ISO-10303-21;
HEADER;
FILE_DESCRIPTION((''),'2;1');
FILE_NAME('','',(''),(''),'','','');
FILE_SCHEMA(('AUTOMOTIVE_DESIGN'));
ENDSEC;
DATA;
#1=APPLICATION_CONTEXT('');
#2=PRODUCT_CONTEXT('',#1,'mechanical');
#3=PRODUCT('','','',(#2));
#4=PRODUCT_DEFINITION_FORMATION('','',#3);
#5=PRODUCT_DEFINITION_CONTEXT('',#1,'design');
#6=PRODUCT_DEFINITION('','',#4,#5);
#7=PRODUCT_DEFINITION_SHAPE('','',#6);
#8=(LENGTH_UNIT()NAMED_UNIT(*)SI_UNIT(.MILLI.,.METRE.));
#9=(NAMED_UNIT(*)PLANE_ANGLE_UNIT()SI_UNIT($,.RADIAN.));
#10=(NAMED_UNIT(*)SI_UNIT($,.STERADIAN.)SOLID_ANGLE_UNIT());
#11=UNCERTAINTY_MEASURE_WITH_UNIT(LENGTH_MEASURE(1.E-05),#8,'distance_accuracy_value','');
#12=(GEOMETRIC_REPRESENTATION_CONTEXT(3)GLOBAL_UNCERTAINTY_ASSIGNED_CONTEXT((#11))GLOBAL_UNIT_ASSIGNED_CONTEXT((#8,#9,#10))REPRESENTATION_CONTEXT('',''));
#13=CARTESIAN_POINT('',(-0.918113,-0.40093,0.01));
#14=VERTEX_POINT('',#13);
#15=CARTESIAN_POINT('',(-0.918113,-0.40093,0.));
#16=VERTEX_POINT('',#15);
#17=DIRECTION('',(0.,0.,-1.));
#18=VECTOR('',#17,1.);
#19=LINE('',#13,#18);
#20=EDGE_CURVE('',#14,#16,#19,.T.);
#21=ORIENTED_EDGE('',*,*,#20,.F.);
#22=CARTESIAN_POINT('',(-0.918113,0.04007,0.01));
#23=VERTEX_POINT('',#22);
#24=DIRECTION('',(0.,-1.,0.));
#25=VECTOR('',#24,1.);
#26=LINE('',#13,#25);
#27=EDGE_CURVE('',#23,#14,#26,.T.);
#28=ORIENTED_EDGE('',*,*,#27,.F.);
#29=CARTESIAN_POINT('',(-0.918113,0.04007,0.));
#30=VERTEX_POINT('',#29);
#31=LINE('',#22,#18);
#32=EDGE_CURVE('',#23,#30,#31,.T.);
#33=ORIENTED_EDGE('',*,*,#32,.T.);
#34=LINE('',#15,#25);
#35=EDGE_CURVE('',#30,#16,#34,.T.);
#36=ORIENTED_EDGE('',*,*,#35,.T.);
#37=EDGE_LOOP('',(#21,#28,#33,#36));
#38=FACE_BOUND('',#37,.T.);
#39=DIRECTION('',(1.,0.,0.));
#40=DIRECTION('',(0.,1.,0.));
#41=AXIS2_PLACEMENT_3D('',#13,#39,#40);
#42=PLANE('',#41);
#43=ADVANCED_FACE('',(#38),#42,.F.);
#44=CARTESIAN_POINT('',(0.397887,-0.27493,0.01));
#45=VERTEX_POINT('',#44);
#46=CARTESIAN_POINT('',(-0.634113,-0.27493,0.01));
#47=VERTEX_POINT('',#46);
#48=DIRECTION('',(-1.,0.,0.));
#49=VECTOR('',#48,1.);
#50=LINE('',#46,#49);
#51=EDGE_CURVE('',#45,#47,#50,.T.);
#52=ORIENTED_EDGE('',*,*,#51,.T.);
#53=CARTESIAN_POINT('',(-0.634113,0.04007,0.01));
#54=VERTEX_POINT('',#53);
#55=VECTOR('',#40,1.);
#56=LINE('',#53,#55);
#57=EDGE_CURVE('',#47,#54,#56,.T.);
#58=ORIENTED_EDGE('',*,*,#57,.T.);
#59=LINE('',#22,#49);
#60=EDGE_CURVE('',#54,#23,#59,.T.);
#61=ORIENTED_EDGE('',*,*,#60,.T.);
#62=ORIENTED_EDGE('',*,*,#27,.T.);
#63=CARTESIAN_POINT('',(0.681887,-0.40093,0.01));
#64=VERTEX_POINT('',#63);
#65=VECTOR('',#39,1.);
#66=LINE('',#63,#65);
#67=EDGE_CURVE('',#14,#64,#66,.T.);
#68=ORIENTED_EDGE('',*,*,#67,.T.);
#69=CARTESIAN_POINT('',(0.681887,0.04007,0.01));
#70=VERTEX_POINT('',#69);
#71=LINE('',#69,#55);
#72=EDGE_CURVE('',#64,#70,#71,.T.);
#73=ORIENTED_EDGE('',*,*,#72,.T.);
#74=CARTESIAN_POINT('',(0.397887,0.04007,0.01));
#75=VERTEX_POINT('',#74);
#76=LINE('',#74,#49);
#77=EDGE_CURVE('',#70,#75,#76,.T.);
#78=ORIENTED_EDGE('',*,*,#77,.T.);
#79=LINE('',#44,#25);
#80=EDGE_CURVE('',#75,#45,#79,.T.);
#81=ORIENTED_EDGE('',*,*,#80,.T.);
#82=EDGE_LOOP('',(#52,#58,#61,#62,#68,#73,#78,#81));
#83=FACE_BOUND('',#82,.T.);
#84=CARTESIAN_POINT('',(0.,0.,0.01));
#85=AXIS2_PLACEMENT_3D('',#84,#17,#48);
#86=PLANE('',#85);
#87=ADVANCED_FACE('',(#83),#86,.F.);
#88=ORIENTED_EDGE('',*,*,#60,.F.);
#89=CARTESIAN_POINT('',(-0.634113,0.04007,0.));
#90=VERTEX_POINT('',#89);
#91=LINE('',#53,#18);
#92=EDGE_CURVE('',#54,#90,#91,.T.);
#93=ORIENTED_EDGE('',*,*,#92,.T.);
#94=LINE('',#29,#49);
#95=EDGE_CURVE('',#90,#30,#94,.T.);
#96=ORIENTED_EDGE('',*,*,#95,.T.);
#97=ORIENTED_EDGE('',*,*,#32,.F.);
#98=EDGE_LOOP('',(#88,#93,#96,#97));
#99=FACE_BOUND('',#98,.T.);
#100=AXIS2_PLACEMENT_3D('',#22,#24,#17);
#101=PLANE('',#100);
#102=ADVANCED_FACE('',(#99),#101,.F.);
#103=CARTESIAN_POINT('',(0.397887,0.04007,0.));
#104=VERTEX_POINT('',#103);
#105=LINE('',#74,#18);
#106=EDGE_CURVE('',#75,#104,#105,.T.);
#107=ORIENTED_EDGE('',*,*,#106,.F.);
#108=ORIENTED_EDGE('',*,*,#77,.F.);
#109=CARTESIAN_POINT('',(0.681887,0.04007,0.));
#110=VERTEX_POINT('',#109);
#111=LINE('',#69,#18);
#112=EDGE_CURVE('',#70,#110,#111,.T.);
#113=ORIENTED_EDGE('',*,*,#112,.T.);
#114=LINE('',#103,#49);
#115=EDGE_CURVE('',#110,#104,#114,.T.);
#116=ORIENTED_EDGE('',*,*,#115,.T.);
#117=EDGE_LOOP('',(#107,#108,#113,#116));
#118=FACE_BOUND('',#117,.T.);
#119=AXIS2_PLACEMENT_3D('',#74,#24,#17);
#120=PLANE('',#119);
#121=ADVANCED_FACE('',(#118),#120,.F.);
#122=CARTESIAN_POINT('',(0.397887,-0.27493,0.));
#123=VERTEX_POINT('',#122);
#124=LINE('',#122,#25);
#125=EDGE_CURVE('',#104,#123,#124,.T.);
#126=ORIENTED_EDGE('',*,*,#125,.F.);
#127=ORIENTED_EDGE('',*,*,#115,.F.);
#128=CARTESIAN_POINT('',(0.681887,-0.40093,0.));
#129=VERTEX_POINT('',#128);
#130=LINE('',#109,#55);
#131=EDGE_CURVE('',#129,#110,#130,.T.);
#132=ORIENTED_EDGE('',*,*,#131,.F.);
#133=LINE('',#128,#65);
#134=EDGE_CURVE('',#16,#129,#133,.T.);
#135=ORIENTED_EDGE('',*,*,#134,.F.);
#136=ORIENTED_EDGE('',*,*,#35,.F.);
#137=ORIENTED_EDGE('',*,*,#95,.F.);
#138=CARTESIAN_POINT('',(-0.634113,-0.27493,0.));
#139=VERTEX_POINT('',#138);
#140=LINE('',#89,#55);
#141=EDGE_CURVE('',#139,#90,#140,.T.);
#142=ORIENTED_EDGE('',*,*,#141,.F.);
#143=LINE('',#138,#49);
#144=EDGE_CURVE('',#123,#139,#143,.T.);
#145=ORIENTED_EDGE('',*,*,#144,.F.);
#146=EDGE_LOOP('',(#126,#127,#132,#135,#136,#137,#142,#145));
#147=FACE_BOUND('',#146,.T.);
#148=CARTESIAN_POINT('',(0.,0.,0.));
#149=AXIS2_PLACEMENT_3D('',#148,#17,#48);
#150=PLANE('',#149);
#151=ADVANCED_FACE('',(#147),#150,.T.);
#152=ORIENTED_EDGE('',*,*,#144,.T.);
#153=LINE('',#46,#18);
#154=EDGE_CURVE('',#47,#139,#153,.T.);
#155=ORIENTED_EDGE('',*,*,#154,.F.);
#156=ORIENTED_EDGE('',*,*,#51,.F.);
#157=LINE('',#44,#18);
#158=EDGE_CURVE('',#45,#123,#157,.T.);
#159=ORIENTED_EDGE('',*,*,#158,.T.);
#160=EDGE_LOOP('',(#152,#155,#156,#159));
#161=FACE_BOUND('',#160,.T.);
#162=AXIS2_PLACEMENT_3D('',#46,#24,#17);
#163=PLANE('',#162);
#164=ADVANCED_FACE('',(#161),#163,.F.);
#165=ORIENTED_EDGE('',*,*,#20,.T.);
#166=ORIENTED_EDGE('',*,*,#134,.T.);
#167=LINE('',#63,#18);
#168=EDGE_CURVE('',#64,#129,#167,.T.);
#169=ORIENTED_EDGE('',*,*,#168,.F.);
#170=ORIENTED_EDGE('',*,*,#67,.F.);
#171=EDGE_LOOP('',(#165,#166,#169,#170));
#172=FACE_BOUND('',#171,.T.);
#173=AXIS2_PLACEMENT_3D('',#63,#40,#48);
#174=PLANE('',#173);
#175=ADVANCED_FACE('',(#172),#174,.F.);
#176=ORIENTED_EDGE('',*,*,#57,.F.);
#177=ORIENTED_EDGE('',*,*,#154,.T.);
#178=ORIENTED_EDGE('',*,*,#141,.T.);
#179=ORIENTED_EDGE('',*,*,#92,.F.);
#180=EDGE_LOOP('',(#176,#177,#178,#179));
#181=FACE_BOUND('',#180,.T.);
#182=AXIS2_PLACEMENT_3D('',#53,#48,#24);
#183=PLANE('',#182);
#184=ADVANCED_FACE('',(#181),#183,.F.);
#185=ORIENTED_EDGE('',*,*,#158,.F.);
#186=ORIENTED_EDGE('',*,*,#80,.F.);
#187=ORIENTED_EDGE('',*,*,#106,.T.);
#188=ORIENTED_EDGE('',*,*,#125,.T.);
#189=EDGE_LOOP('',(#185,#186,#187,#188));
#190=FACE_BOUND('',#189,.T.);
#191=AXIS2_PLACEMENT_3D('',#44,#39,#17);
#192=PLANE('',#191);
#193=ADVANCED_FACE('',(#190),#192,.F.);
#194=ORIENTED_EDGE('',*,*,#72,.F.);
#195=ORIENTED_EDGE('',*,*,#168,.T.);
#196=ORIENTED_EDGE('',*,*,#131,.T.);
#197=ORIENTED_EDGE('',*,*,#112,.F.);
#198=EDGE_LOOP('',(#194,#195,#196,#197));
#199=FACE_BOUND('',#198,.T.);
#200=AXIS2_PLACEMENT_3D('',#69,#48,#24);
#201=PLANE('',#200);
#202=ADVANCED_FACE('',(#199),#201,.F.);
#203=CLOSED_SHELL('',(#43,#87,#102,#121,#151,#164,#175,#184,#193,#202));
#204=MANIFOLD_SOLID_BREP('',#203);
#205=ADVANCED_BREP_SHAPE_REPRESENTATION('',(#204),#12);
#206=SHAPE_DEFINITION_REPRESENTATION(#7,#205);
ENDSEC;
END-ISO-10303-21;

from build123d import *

# Parameters (mm, degrees)
BOSS_EXTRUDE1_DEPTH = 0.01


with BuildPart() as part:
    # Sketch1 → Boss-Extrude1 (new body)
    with BuildSketch(Plane.XY):
        Polygon((0.681886765, 0.040069963), (0.681886765, -0.400930037), (-0.918113235, -0.400930037), (-0.918113235, 0.040069963), (-0.634113235, 0.040069963), (-0.634113235, -0.274930037), (0.397886765, -0.274930037), (0.397886765, 0.040069963), align=None)
    extrude(amount=BOSS_EXTRUDE1_DEPTH)


solid = part.part
